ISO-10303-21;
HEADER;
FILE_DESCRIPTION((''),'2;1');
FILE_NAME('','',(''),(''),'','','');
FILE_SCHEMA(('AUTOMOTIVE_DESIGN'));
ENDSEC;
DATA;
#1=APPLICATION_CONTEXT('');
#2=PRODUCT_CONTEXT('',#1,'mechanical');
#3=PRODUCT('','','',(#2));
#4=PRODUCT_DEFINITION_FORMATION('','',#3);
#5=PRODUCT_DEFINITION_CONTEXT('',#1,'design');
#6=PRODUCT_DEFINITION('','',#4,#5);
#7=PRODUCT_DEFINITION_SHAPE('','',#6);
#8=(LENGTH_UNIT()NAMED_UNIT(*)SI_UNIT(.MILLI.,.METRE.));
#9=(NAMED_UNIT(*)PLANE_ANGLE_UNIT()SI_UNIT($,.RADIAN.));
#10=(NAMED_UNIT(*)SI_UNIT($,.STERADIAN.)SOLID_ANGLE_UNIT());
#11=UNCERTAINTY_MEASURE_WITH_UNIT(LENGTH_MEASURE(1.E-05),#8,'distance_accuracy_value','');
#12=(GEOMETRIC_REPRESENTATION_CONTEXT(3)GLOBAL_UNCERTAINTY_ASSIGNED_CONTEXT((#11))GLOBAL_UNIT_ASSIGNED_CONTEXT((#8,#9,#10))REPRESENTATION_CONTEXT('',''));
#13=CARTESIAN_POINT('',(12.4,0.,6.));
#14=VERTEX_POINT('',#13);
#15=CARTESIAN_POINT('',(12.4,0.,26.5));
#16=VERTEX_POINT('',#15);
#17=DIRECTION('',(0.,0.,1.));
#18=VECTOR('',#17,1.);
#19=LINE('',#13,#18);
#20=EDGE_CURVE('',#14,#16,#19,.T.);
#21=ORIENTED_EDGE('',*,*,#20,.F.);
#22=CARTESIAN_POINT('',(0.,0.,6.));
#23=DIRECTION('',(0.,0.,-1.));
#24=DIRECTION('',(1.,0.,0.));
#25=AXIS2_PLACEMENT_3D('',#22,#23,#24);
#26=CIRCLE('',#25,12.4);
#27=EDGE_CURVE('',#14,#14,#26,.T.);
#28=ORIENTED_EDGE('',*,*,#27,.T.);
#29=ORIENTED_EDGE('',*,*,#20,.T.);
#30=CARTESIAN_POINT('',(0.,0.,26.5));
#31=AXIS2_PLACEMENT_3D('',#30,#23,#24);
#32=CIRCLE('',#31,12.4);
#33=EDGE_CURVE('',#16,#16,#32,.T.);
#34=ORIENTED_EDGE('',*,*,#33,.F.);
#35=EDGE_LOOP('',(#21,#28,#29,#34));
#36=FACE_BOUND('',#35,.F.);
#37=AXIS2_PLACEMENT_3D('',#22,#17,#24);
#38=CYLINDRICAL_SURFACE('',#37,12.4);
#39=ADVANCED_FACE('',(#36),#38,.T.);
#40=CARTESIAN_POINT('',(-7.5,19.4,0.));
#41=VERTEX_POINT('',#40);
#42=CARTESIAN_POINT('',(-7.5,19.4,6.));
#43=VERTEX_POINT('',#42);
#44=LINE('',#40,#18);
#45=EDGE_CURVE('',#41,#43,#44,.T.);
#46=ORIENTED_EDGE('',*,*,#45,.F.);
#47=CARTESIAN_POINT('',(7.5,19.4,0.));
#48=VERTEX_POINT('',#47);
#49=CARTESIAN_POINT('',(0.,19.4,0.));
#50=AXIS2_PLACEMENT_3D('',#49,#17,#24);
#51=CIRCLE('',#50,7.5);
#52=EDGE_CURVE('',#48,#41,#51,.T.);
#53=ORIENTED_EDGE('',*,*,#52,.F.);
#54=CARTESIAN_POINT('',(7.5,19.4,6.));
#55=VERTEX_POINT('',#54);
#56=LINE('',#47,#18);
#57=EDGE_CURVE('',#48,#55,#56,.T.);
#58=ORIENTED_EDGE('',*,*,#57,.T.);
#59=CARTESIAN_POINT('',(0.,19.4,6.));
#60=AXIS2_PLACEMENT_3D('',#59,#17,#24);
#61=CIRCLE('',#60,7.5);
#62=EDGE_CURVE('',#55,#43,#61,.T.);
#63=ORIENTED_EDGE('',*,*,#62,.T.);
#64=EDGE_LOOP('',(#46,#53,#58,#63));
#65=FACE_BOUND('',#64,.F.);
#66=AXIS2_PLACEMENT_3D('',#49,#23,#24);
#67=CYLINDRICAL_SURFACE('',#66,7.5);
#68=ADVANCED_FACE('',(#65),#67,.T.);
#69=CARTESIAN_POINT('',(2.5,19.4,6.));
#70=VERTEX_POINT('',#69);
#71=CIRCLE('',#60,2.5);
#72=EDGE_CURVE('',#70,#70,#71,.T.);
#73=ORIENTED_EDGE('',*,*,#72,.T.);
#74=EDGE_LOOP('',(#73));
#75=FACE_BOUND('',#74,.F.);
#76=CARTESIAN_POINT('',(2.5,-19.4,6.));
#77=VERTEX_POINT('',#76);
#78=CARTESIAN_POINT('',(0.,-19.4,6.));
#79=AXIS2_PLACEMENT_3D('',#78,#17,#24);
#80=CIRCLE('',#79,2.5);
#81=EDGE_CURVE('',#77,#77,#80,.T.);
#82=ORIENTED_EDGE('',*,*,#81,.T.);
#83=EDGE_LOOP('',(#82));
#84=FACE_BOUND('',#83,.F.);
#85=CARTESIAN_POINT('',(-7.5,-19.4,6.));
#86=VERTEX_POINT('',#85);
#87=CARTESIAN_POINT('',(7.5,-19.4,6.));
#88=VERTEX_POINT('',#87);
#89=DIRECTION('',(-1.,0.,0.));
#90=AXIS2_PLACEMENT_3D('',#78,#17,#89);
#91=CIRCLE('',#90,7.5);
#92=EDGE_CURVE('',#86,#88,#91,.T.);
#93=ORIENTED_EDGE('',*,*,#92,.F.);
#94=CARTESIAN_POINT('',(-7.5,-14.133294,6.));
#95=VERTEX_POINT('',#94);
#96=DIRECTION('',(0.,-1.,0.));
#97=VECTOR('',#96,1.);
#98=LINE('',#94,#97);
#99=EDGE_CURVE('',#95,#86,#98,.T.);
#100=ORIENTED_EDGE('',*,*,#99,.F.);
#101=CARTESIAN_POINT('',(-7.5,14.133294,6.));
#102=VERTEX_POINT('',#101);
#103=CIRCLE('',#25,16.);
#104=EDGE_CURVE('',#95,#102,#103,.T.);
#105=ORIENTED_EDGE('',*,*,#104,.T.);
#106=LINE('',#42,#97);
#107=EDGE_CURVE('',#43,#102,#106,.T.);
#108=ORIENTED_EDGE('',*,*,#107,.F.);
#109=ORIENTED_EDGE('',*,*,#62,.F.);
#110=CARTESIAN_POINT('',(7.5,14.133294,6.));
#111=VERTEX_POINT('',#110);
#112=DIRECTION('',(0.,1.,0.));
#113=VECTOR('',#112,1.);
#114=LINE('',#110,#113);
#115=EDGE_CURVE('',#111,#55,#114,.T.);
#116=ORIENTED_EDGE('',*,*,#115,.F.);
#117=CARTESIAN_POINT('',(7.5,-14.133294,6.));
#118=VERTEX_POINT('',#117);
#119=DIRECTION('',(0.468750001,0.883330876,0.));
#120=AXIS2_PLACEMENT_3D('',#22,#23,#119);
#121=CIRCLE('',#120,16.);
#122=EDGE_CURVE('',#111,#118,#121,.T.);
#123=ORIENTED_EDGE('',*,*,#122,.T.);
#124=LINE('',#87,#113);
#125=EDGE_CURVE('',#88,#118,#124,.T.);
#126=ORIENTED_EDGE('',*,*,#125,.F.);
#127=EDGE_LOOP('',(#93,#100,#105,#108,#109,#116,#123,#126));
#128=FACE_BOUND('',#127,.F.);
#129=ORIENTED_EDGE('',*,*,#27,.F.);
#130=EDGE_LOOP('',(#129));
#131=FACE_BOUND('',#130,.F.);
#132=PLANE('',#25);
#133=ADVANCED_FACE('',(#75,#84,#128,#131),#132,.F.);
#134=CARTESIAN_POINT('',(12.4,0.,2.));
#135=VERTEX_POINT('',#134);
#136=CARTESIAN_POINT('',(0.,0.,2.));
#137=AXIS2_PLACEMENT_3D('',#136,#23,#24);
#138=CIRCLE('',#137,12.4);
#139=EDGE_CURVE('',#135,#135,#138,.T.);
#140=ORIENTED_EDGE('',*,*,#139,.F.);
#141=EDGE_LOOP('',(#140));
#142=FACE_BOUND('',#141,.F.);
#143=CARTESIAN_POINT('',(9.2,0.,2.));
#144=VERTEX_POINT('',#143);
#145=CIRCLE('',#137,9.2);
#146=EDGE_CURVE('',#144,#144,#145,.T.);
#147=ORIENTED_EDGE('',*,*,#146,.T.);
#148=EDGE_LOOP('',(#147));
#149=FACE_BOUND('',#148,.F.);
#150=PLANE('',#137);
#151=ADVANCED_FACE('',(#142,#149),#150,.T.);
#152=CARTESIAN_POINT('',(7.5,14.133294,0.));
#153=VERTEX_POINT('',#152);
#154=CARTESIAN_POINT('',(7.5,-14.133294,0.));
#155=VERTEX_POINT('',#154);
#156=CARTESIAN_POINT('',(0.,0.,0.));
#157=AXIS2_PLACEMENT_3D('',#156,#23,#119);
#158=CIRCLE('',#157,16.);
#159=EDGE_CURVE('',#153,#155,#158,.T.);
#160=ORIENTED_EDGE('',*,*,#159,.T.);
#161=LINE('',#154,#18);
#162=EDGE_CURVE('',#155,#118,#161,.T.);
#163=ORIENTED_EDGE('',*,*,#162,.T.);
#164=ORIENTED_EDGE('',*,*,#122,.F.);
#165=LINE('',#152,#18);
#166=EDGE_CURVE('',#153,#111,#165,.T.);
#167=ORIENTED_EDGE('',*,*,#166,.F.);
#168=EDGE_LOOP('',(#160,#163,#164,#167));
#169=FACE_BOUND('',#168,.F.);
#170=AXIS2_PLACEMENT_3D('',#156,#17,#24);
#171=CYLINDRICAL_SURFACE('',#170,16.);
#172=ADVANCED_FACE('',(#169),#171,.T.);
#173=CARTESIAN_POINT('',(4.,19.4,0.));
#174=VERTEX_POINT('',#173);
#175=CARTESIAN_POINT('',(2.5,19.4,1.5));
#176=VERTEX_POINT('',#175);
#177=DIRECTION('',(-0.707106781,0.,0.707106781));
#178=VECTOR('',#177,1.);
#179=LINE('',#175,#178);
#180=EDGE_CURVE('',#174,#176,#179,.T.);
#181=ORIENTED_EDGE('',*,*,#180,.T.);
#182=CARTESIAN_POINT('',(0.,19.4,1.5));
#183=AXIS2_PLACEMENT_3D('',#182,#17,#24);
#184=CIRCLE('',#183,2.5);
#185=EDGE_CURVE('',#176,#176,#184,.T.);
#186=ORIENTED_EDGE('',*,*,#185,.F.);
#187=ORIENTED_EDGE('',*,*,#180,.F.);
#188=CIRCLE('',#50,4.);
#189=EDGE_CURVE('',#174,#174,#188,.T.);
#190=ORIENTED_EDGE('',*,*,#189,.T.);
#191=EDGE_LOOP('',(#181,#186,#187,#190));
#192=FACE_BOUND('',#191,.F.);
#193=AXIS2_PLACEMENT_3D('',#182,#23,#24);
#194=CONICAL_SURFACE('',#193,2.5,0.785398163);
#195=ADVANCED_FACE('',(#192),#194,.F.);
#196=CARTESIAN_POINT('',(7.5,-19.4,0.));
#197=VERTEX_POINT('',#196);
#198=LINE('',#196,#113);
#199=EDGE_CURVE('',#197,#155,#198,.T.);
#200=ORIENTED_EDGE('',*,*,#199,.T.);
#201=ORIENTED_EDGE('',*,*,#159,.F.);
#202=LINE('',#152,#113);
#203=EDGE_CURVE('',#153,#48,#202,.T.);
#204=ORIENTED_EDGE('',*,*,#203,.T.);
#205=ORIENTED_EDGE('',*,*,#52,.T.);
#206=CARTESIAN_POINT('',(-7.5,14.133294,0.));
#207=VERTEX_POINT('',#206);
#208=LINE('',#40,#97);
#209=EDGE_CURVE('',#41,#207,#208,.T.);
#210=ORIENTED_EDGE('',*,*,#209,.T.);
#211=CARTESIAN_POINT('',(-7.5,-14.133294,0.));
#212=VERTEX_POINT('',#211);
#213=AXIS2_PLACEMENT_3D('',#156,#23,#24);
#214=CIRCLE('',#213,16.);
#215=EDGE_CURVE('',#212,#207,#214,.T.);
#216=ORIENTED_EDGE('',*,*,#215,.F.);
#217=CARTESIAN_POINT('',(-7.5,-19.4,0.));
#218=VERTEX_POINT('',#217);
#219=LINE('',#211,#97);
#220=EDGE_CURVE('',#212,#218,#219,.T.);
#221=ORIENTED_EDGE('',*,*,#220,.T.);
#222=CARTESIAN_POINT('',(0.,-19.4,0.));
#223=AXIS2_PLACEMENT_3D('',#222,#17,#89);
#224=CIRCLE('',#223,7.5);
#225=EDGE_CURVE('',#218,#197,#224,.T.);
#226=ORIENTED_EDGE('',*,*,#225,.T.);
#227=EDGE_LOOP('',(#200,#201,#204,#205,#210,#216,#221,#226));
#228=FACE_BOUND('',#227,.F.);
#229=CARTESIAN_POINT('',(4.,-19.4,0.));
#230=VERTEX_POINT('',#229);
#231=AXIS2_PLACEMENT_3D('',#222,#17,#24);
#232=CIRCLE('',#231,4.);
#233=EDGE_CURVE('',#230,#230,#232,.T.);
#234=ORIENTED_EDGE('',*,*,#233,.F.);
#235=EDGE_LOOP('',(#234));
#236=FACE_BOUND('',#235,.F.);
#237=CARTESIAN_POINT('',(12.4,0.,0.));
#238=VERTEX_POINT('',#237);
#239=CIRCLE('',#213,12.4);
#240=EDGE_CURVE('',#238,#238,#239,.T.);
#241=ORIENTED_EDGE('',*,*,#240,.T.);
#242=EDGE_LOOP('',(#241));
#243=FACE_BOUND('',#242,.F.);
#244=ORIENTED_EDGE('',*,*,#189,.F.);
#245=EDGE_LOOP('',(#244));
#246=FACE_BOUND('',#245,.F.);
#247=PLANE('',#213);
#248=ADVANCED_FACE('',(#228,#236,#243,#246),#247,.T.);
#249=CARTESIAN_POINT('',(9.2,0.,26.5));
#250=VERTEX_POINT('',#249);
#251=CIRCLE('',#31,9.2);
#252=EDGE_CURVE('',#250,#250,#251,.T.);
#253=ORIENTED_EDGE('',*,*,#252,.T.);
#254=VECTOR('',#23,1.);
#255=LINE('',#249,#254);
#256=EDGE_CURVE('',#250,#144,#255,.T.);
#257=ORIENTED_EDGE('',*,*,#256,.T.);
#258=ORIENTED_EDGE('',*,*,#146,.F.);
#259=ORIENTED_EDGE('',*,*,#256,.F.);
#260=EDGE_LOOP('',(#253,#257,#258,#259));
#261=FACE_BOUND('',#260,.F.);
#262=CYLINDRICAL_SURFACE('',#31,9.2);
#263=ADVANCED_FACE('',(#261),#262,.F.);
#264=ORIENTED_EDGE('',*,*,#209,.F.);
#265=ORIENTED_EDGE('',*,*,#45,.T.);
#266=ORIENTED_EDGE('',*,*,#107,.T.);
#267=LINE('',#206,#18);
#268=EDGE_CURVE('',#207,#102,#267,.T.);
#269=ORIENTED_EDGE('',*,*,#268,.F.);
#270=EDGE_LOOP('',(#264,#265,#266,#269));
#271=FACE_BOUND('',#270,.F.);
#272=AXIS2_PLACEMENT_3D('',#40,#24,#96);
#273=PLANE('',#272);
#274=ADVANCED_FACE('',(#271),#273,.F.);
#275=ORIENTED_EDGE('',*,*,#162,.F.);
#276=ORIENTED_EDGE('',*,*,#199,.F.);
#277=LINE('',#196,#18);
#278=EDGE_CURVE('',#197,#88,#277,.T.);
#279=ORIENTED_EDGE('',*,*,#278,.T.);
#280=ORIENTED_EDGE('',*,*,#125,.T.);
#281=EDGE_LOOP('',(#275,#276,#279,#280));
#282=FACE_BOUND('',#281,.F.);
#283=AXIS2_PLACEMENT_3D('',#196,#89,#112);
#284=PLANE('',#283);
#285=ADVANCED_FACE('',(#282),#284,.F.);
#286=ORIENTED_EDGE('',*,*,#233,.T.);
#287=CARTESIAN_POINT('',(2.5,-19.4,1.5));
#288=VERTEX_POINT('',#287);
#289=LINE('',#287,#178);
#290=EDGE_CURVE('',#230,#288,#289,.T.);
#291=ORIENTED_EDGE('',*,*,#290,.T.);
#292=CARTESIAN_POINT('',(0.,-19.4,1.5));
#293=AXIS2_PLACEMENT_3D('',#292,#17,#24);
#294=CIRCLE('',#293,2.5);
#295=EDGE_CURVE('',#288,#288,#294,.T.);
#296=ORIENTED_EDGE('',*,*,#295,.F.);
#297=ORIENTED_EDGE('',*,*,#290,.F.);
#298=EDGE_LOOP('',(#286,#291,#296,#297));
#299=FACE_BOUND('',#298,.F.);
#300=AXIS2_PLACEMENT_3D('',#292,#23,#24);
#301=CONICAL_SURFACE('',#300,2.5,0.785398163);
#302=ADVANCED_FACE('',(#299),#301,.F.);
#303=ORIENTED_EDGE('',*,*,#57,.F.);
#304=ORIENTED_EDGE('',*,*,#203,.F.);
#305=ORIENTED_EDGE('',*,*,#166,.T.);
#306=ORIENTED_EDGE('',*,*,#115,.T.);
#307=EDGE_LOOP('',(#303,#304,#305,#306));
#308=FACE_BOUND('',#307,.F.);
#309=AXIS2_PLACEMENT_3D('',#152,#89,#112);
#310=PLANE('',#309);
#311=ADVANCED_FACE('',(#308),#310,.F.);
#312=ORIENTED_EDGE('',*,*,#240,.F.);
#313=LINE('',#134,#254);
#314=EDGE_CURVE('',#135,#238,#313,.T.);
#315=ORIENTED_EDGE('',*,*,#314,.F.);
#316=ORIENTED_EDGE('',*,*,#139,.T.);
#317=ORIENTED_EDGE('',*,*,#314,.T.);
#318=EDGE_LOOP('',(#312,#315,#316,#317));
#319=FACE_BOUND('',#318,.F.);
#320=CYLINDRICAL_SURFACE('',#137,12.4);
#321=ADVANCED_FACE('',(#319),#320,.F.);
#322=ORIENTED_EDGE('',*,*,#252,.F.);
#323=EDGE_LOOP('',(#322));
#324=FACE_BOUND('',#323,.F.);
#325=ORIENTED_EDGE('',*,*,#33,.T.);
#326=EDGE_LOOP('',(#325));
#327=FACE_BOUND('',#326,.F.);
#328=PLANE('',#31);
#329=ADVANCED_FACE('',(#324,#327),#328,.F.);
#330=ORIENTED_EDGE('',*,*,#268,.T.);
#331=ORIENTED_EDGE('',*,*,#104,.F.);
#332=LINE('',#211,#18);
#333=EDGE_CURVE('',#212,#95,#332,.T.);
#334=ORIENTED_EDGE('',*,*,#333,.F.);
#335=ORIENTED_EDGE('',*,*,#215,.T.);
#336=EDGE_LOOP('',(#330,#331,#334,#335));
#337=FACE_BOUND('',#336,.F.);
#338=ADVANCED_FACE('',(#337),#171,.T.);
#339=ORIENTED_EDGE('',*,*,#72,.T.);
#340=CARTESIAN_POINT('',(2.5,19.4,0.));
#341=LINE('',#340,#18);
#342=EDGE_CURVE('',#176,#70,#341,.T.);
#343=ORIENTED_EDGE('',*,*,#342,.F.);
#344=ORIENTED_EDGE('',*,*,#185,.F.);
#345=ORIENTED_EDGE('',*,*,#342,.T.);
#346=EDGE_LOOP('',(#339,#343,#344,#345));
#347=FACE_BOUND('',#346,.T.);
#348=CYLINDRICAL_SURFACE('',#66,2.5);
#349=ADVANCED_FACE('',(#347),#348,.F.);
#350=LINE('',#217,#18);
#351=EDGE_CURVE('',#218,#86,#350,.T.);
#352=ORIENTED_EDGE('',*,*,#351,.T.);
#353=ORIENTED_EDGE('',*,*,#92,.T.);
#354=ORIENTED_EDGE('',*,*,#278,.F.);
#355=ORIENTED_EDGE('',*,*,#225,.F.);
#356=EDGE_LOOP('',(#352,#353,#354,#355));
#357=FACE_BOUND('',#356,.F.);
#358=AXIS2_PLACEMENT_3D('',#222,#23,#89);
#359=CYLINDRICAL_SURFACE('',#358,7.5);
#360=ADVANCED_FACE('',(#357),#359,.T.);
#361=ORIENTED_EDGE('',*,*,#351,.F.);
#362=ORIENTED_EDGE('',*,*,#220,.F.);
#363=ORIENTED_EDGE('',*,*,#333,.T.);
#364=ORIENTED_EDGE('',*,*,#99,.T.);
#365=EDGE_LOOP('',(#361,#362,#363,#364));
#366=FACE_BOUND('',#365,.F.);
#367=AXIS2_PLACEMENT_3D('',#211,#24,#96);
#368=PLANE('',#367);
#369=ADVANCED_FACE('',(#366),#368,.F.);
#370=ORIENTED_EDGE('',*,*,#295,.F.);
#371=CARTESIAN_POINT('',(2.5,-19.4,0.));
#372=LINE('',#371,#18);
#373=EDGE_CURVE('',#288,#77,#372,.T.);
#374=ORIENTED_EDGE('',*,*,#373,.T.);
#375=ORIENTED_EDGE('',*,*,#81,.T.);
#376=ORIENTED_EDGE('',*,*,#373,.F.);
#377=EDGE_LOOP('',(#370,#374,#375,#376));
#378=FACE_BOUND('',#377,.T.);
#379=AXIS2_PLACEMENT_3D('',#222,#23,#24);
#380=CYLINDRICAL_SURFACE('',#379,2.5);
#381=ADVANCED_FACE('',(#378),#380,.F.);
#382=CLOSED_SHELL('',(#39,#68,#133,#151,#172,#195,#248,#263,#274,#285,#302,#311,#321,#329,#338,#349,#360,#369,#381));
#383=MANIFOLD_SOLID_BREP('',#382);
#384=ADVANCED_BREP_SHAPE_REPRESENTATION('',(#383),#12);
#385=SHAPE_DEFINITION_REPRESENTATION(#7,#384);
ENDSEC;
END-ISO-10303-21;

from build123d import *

# Parameters (mm, degrees)
F2_R     = 2.5
F3_DEPTH = 6
F4_SIZE  = 1.5


with BuildPart() as f1:
    # F0 (on Front) → F1 (revolve)
    with BuildSketch(Plane.XZ):
        Polygon((12.4, 2), (12.4, 0), (16, 0), (16, 6), (12.4, 6), (12.4, 26.5), (9.2, 26.5), (9.2, 2), align=None)
    revolve(axis=Axis((0, 0, 0.530642), (0, 0, -1)))

    # F2 (on Top) → F3 (join)
    with BuildSketch(Plane.XY):
        with BuildLine():
            Line((7.5, 14.133294), (7.5, 19.4))
            ThreePointArc((7.5, 19.4), (0, 26.9), (-7.5, 19.4))
            Line((-7.5, 19.4), (-7.5, 14.133294))
            ThreePointArc((-7.5, 14.133294), (0, 16), (7.5, 14.133294))
        make_face()
        with Locations((0, 19.4)):
            Circle(F2_R, mode=Mode.SUBTRACT)
        with BuildLine():
            ThreePointArc((7.5, -14.133294), (0, -16), (-7.5, -14.133294))
            Line((-7.5, -14.133294), (-7.5, -19.4))
            ThreePointArc((-7.5, -19.4), (0, -26.9), (7.5, -19.4))
            Line((7.5, -19.4), (7.5, -14.133294))
        make_face()
        with Locations((0, -19.4)):
            Circle(F2_R, mode=Mode.SUBTRACT)
    extrude(amount=F3_DEPTH)

    # F4
    f4_edges = [f1.edges().sort_by_distance(p)[0] for p in [
        (-2.5, 19.4, 0),
        (-2.5, -19.4, 0),
    ]]
    chamfer(f4_edges, length=F4_SIZE)


solid = f1.part
